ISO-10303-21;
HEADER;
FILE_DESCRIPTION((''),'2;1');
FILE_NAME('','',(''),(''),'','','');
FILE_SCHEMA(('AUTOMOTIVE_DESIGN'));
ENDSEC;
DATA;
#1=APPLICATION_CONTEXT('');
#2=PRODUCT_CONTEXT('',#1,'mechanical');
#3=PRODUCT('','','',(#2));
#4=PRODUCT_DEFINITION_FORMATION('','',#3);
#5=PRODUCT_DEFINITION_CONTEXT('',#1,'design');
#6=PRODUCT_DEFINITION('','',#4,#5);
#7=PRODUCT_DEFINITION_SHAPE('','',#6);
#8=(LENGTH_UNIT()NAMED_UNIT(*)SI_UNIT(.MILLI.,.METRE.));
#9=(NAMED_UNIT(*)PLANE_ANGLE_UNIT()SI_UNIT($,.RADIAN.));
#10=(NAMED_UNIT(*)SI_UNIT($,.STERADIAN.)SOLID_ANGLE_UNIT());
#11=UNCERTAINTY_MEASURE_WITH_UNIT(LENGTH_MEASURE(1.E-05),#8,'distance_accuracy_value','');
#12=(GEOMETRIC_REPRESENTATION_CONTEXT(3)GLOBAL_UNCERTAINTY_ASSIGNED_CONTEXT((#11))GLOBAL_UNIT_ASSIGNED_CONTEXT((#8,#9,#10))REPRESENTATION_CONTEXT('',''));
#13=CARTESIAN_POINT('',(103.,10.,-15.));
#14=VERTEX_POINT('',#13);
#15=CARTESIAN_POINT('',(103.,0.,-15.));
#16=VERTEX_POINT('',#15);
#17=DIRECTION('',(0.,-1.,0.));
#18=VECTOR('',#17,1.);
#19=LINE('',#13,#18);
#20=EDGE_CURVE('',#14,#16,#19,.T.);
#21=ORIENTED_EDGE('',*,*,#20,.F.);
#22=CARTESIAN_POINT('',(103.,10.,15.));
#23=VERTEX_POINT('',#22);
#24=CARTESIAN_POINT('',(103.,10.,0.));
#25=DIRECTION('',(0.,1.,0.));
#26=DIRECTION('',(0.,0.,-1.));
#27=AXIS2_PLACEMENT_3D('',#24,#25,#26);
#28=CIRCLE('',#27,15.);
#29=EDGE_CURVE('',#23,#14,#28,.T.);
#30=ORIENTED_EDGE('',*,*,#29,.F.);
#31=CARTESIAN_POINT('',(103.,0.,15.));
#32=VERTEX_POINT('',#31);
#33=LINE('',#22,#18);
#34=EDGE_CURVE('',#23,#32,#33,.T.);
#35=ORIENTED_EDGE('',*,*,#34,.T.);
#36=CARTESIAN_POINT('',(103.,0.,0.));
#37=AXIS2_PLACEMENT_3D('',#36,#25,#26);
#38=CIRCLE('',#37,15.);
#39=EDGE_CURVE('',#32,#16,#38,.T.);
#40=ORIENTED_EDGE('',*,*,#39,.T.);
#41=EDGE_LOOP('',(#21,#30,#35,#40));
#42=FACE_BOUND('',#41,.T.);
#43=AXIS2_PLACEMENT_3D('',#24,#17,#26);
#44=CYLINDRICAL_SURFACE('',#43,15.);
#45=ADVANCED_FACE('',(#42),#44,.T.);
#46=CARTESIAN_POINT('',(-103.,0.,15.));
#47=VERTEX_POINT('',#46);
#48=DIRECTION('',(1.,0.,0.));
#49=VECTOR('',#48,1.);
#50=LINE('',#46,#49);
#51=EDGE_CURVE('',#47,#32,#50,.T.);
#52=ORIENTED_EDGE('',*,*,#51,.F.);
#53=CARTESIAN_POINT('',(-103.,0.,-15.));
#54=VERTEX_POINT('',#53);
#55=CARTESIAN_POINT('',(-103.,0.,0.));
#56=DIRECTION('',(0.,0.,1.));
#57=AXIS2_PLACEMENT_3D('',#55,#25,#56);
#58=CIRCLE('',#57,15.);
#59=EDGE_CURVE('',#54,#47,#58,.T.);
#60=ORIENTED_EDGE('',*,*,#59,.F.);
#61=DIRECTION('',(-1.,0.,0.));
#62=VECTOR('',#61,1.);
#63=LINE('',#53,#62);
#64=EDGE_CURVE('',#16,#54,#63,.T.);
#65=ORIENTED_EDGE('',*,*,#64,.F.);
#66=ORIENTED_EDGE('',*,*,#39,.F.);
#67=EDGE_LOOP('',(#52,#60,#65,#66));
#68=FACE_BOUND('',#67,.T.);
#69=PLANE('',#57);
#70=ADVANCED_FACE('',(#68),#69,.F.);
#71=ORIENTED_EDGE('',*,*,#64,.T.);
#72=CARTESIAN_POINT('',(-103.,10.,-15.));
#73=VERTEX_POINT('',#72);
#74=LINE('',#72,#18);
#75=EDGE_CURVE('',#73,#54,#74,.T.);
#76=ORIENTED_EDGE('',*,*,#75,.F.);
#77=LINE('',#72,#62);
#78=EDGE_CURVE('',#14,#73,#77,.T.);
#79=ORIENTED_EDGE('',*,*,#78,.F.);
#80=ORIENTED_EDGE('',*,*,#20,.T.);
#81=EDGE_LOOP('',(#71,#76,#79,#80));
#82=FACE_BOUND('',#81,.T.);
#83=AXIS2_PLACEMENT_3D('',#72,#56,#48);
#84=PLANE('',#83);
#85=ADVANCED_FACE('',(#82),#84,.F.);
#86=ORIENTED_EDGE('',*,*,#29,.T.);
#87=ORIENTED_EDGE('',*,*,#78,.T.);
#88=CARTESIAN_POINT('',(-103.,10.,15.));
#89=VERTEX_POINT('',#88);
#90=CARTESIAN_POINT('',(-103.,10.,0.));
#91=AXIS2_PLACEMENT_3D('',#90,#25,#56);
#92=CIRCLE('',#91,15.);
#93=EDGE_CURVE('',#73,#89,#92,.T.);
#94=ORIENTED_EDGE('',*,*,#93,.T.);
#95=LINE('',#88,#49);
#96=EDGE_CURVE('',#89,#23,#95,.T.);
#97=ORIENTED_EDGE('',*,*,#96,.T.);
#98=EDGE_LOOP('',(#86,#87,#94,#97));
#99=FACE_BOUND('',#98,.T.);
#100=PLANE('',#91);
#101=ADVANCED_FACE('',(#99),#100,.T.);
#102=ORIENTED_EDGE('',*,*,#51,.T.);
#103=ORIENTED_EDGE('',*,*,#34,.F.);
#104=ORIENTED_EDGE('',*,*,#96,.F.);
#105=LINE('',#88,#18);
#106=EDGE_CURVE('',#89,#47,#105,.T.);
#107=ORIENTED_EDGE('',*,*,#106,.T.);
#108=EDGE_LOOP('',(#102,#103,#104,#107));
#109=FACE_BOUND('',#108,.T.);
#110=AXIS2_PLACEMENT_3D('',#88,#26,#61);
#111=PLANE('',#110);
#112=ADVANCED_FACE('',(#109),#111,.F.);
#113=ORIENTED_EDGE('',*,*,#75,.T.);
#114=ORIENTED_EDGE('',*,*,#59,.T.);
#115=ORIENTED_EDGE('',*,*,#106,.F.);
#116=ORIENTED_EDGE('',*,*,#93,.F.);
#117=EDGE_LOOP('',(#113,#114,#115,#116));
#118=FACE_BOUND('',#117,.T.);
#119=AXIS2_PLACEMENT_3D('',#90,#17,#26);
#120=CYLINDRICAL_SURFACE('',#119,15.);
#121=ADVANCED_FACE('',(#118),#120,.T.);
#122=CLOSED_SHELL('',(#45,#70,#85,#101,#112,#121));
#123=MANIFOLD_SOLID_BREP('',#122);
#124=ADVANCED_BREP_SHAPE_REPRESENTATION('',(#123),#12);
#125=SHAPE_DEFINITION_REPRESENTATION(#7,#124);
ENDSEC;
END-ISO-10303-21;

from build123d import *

# Parameters (mm, degrees)
BOSS_EXTRU_1_DEPTH = 10


with BuildPart() as part:
    # Esquisse1 → Boss.-Extru.1 (new body)
    with BuildSketch(Plane(origin=(0, 0, 0), x_dir=(1, 0, 0), z_dir=(0, 1, 0))):
        with BuildLine():
            Line((-103, -15), (103, -15))
            ThreePointArc((103, -15), (118, 0), (103, 15))
            Line((103, 15), (-103, 15))
            ThreePointArc((-103, 15), (-118, 0), (-103, -15))
        make_face()
    extrude(amount=BOSS_EXTRU_1_DEPTH)


solid = part.part
